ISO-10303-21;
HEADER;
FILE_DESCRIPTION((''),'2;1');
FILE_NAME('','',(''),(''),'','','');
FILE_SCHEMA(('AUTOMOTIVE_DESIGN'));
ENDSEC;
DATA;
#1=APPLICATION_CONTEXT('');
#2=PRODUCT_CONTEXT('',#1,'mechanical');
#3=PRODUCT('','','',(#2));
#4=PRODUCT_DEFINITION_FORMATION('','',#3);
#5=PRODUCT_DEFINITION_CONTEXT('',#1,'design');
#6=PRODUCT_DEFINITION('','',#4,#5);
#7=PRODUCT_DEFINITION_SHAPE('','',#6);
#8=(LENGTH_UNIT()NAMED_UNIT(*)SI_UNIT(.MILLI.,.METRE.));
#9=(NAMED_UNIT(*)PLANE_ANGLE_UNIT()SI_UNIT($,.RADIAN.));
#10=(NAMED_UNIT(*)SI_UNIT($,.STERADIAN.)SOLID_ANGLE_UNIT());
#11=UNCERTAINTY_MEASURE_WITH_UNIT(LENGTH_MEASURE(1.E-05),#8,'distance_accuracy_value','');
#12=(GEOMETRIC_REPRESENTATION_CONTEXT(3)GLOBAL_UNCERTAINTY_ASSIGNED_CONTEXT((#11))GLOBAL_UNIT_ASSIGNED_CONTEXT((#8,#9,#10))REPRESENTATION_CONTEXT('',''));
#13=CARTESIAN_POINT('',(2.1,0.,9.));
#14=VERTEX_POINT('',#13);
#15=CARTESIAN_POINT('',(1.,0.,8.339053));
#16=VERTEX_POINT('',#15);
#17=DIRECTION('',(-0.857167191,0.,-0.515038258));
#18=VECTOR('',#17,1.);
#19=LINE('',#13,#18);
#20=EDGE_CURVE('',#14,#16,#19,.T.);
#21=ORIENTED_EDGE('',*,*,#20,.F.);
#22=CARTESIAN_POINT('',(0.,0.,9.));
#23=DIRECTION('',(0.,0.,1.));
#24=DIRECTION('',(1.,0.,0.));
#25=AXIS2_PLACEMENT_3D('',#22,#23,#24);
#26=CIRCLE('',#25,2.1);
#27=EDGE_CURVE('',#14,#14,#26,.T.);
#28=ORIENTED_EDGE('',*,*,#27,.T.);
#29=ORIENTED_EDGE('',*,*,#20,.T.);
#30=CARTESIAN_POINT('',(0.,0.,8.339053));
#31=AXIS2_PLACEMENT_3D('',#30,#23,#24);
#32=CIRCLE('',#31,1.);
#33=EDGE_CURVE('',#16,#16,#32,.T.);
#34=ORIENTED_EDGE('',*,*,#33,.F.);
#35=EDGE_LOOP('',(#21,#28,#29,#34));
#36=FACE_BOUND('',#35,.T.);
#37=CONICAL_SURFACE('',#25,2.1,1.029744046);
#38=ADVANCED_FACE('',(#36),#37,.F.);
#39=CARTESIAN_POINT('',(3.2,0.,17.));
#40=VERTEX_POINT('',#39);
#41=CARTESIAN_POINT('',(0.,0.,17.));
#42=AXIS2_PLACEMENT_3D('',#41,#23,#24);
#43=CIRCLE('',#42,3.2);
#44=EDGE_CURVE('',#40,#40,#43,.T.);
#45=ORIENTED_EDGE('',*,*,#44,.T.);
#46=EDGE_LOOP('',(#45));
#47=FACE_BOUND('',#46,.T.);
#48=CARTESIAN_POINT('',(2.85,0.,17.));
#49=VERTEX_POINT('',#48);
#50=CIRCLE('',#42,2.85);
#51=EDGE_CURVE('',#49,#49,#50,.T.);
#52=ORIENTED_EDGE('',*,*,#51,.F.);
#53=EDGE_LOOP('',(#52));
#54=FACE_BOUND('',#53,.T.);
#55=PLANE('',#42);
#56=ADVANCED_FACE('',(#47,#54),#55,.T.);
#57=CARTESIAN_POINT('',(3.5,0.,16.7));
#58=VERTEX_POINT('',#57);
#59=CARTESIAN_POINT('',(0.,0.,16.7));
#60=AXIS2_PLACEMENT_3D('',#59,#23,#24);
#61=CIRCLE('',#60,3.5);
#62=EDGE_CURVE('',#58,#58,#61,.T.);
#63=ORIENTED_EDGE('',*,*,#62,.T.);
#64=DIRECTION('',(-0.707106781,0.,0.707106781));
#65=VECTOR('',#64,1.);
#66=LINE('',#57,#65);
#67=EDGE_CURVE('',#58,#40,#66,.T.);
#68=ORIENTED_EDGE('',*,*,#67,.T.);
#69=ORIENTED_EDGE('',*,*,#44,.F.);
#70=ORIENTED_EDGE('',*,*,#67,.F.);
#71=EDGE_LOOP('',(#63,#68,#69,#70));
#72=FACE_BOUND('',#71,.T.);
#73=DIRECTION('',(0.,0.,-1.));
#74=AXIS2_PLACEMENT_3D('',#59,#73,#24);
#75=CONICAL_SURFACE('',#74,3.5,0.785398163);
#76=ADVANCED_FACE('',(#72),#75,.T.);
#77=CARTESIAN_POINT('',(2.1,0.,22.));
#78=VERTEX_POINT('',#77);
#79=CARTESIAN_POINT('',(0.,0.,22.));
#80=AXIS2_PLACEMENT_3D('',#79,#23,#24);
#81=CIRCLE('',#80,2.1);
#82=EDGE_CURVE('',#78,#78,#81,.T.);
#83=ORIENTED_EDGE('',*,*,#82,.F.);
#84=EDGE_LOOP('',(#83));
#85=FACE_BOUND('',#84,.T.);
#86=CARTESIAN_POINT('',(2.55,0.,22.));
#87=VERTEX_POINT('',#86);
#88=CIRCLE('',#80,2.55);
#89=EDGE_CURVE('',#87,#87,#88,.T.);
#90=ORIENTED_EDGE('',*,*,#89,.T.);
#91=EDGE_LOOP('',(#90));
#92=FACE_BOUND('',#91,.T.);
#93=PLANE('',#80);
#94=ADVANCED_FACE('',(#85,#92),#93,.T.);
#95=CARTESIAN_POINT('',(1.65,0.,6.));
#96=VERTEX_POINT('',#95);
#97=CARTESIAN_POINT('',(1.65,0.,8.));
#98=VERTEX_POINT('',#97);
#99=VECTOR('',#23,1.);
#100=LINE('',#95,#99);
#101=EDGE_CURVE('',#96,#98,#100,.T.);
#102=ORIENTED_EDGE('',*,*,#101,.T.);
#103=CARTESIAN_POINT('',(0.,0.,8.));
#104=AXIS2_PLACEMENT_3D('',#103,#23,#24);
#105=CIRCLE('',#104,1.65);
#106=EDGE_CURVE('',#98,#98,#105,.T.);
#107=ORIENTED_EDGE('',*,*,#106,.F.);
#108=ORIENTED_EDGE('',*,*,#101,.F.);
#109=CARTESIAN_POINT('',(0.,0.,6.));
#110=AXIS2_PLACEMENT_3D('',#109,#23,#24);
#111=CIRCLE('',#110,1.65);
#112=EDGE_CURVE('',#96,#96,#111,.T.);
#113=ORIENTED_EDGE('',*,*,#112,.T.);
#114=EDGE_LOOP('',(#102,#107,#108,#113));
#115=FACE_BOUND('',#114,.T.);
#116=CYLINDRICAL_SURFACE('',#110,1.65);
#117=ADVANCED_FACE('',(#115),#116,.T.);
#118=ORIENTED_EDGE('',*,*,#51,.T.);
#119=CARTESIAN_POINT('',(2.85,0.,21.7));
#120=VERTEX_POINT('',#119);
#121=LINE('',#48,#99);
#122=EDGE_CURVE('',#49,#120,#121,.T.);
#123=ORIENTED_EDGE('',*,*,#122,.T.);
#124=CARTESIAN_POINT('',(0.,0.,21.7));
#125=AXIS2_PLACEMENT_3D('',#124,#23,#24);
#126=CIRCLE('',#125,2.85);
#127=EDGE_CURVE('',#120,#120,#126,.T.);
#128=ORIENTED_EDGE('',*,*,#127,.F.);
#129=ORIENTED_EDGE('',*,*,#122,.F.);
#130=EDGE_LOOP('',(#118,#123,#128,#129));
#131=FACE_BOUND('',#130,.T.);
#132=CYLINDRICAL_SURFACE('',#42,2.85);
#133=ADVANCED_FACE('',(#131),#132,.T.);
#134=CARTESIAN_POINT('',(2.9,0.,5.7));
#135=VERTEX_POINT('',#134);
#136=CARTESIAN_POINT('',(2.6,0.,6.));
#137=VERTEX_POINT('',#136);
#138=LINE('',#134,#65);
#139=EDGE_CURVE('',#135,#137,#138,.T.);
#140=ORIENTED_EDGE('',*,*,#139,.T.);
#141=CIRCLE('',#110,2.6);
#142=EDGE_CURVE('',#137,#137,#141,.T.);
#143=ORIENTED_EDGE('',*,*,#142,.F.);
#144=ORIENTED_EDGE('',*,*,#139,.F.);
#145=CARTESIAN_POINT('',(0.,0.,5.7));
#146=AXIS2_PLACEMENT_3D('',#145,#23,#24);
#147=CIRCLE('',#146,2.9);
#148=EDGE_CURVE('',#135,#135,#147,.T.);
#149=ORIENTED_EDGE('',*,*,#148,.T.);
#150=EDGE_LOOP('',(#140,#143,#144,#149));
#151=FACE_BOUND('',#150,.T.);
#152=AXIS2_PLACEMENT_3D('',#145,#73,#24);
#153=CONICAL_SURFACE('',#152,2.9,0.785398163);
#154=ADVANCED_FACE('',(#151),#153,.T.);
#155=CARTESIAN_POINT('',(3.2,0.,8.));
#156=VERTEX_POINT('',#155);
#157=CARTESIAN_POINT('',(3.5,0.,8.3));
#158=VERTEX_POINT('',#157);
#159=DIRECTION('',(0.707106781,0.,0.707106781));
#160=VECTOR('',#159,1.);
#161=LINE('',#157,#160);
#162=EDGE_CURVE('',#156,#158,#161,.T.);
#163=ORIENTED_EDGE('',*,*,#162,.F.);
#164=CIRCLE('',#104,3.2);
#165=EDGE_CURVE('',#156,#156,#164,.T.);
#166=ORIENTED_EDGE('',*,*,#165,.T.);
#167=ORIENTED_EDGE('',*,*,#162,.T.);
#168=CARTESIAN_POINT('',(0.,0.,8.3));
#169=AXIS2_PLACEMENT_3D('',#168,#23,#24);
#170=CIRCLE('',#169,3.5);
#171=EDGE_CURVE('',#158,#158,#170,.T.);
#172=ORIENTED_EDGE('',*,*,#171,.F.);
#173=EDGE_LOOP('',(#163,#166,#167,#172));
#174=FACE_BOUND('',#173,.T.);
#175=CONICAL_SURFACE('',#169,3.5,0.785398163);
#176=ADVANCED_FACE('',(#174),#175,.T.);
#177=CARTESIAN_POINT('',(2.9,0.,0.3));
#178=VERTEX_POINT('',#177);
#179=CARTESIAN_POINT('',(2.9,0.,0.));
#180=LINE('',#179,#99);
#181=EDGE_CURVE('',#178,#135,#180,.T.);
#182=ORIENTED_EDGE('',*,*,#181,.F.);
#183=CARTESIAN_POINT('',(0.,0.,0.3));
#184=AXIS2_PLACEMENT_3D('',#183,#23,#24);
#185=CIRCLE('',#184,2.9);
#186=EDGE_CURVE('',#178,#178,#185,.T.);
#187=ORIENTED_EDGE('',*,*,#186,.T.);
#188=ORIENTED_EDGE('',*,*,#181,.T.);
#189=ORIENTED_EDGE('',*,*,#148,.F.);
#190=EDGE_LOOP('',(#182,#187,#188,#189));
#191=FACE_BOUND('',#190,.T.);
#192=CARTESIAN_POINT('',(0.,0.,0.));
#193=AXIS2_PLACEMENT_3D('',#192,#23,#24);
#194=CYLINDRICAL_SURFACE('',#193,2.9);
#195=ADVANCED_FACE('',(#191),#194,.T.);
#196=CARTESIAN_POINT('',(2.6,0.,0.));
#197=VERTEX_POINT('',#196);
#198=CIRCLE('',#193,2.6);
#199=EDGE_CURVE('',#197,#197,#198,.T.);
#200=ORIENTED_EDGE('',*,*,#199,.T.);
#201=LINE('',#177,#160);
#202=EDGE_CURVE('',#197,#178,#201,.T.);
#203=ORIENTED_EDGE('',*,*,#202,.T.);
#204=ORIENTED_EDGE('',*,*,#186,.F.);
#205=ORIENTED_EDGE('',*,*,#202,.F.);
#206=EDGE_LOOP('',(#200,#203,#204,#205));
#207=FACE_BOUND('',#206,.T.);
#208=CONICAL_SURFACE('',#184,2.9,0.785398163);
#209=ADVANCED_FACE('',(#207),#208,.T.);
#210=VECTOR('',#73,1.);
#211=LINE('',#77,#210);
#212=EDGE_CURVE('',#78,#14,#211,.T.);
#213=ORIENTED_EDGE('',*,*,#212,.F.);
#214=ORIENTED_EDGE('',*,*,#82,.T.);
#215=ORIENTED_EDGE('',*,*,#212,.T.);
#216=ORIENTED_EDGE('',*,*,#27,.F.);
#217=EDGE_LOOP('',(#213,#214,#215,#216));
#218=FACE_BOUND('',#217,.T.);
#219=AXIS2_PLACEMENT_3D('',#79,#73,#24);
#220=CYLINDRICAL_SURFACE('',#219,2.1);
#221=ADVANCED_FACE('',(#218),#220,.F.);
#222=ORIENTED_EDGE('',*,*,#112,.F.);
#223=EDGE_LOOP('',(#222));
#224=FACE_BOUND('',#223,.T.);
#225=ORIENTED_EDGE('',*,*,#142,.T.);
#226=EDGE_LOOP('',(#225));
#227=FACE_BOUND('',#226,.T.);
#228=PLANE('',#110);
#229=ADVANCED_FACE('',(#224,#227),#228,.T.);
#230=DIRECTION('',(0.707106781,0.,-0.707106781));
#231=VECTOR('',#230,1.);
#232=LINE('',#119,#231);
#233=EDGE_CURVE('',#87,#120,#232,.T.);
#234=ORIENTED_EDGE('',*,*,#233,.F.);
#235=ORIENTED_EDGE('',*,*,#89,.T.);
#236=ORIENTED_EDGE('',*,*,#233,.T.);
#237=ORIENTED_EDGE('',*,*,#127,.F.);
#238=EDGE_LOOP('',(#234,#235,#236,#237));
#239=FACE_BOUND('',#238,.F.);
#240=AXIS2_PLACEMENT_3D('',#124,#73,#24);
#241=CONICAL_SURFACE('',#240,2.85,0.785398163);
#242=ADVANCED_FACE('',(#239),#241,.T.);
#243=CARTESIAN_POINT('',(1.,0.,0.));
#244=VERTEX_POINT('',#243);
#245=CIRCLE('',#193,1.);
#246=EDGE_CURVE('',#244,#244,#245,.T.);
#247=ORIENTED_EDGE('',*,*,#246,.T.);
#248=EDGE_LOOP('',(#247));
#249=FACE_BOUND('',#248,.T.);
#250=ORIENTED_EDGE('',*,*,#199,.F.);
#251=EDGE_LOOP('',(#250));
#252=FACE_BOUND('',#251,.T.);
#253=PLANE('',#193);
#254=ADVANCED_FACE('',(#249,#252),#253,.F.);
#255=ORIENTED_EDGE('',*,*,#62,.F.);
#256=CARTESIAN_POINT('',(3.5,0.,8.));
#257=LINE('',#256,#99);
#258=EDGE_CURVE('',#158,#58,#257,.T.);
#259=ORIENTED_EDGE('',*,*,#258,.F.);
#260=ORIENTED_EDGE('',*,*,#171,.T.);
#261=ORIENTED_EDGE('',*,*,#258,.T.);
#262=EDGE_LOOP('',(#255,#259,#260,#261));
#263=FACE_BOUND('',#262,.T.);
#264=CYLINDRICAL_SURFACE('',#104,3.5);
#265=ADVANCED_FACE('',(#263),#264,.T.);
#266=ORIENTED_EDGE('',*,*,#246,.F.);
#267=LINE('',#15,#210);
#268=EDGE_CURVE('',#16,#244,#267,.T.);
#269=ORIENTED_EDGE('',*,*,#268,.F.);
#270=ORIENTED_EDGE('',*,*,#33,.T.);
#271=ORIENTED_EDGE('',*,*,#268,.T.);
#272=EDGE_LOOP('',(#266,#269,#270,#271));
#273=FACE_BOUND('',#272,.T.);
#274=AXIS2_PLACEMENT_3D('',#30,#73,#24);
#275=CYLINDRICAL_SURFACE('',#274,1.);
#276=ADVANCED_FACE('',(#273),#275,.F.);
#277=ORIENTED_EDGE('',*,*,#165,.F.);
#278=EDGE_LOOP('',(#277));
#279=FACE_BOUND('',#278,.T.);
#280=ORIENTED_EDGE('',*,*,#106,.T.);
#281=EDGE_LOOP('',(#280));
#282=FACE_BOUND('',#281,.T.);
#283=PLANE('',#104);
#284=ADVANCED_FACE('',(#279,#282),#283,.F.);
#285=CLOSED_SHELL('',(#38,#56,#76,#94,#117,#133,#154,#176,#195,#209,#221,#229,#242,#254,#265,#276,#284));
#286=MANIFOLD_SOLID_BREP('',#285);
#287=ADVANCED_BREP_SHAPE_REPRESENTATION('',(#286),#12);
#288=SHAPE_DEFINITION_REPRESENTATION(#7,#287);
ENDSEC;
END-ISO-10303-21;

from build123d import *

# Parameters (mm, degrees)
F2_SIZE = 0.3


with BuildPart() as f1:
    # F0 (on Front) → F1 (revolve)
    with BuildSketch(Plane.XZ):
        Polygon((2.85, 22), (2.1, 22), (2.1, 9), (1, 8.339053), (1, 0), (2.9, 0), (2.9, 6), (1.65, 6), (1.65, 8), (3.5, 8), (3.5, 17), (2.85, 17), align=None)
    revolve(axis=Axis((0, 0, 11), (0, 0, 1)))

    # F2
    f2_edges = [f1.edges().sort_by_distance(p)[0] for p in [
        (-2.85, 0, 22),
        (-3.5, 0, 17),
        (-3.5, 0, 8),
        (-2.9, 0, 6),
        (-2.9, 0, 0),
    ]]
    chamfer(f2_edges, length=F2_SIZE)


solid = f1.part
